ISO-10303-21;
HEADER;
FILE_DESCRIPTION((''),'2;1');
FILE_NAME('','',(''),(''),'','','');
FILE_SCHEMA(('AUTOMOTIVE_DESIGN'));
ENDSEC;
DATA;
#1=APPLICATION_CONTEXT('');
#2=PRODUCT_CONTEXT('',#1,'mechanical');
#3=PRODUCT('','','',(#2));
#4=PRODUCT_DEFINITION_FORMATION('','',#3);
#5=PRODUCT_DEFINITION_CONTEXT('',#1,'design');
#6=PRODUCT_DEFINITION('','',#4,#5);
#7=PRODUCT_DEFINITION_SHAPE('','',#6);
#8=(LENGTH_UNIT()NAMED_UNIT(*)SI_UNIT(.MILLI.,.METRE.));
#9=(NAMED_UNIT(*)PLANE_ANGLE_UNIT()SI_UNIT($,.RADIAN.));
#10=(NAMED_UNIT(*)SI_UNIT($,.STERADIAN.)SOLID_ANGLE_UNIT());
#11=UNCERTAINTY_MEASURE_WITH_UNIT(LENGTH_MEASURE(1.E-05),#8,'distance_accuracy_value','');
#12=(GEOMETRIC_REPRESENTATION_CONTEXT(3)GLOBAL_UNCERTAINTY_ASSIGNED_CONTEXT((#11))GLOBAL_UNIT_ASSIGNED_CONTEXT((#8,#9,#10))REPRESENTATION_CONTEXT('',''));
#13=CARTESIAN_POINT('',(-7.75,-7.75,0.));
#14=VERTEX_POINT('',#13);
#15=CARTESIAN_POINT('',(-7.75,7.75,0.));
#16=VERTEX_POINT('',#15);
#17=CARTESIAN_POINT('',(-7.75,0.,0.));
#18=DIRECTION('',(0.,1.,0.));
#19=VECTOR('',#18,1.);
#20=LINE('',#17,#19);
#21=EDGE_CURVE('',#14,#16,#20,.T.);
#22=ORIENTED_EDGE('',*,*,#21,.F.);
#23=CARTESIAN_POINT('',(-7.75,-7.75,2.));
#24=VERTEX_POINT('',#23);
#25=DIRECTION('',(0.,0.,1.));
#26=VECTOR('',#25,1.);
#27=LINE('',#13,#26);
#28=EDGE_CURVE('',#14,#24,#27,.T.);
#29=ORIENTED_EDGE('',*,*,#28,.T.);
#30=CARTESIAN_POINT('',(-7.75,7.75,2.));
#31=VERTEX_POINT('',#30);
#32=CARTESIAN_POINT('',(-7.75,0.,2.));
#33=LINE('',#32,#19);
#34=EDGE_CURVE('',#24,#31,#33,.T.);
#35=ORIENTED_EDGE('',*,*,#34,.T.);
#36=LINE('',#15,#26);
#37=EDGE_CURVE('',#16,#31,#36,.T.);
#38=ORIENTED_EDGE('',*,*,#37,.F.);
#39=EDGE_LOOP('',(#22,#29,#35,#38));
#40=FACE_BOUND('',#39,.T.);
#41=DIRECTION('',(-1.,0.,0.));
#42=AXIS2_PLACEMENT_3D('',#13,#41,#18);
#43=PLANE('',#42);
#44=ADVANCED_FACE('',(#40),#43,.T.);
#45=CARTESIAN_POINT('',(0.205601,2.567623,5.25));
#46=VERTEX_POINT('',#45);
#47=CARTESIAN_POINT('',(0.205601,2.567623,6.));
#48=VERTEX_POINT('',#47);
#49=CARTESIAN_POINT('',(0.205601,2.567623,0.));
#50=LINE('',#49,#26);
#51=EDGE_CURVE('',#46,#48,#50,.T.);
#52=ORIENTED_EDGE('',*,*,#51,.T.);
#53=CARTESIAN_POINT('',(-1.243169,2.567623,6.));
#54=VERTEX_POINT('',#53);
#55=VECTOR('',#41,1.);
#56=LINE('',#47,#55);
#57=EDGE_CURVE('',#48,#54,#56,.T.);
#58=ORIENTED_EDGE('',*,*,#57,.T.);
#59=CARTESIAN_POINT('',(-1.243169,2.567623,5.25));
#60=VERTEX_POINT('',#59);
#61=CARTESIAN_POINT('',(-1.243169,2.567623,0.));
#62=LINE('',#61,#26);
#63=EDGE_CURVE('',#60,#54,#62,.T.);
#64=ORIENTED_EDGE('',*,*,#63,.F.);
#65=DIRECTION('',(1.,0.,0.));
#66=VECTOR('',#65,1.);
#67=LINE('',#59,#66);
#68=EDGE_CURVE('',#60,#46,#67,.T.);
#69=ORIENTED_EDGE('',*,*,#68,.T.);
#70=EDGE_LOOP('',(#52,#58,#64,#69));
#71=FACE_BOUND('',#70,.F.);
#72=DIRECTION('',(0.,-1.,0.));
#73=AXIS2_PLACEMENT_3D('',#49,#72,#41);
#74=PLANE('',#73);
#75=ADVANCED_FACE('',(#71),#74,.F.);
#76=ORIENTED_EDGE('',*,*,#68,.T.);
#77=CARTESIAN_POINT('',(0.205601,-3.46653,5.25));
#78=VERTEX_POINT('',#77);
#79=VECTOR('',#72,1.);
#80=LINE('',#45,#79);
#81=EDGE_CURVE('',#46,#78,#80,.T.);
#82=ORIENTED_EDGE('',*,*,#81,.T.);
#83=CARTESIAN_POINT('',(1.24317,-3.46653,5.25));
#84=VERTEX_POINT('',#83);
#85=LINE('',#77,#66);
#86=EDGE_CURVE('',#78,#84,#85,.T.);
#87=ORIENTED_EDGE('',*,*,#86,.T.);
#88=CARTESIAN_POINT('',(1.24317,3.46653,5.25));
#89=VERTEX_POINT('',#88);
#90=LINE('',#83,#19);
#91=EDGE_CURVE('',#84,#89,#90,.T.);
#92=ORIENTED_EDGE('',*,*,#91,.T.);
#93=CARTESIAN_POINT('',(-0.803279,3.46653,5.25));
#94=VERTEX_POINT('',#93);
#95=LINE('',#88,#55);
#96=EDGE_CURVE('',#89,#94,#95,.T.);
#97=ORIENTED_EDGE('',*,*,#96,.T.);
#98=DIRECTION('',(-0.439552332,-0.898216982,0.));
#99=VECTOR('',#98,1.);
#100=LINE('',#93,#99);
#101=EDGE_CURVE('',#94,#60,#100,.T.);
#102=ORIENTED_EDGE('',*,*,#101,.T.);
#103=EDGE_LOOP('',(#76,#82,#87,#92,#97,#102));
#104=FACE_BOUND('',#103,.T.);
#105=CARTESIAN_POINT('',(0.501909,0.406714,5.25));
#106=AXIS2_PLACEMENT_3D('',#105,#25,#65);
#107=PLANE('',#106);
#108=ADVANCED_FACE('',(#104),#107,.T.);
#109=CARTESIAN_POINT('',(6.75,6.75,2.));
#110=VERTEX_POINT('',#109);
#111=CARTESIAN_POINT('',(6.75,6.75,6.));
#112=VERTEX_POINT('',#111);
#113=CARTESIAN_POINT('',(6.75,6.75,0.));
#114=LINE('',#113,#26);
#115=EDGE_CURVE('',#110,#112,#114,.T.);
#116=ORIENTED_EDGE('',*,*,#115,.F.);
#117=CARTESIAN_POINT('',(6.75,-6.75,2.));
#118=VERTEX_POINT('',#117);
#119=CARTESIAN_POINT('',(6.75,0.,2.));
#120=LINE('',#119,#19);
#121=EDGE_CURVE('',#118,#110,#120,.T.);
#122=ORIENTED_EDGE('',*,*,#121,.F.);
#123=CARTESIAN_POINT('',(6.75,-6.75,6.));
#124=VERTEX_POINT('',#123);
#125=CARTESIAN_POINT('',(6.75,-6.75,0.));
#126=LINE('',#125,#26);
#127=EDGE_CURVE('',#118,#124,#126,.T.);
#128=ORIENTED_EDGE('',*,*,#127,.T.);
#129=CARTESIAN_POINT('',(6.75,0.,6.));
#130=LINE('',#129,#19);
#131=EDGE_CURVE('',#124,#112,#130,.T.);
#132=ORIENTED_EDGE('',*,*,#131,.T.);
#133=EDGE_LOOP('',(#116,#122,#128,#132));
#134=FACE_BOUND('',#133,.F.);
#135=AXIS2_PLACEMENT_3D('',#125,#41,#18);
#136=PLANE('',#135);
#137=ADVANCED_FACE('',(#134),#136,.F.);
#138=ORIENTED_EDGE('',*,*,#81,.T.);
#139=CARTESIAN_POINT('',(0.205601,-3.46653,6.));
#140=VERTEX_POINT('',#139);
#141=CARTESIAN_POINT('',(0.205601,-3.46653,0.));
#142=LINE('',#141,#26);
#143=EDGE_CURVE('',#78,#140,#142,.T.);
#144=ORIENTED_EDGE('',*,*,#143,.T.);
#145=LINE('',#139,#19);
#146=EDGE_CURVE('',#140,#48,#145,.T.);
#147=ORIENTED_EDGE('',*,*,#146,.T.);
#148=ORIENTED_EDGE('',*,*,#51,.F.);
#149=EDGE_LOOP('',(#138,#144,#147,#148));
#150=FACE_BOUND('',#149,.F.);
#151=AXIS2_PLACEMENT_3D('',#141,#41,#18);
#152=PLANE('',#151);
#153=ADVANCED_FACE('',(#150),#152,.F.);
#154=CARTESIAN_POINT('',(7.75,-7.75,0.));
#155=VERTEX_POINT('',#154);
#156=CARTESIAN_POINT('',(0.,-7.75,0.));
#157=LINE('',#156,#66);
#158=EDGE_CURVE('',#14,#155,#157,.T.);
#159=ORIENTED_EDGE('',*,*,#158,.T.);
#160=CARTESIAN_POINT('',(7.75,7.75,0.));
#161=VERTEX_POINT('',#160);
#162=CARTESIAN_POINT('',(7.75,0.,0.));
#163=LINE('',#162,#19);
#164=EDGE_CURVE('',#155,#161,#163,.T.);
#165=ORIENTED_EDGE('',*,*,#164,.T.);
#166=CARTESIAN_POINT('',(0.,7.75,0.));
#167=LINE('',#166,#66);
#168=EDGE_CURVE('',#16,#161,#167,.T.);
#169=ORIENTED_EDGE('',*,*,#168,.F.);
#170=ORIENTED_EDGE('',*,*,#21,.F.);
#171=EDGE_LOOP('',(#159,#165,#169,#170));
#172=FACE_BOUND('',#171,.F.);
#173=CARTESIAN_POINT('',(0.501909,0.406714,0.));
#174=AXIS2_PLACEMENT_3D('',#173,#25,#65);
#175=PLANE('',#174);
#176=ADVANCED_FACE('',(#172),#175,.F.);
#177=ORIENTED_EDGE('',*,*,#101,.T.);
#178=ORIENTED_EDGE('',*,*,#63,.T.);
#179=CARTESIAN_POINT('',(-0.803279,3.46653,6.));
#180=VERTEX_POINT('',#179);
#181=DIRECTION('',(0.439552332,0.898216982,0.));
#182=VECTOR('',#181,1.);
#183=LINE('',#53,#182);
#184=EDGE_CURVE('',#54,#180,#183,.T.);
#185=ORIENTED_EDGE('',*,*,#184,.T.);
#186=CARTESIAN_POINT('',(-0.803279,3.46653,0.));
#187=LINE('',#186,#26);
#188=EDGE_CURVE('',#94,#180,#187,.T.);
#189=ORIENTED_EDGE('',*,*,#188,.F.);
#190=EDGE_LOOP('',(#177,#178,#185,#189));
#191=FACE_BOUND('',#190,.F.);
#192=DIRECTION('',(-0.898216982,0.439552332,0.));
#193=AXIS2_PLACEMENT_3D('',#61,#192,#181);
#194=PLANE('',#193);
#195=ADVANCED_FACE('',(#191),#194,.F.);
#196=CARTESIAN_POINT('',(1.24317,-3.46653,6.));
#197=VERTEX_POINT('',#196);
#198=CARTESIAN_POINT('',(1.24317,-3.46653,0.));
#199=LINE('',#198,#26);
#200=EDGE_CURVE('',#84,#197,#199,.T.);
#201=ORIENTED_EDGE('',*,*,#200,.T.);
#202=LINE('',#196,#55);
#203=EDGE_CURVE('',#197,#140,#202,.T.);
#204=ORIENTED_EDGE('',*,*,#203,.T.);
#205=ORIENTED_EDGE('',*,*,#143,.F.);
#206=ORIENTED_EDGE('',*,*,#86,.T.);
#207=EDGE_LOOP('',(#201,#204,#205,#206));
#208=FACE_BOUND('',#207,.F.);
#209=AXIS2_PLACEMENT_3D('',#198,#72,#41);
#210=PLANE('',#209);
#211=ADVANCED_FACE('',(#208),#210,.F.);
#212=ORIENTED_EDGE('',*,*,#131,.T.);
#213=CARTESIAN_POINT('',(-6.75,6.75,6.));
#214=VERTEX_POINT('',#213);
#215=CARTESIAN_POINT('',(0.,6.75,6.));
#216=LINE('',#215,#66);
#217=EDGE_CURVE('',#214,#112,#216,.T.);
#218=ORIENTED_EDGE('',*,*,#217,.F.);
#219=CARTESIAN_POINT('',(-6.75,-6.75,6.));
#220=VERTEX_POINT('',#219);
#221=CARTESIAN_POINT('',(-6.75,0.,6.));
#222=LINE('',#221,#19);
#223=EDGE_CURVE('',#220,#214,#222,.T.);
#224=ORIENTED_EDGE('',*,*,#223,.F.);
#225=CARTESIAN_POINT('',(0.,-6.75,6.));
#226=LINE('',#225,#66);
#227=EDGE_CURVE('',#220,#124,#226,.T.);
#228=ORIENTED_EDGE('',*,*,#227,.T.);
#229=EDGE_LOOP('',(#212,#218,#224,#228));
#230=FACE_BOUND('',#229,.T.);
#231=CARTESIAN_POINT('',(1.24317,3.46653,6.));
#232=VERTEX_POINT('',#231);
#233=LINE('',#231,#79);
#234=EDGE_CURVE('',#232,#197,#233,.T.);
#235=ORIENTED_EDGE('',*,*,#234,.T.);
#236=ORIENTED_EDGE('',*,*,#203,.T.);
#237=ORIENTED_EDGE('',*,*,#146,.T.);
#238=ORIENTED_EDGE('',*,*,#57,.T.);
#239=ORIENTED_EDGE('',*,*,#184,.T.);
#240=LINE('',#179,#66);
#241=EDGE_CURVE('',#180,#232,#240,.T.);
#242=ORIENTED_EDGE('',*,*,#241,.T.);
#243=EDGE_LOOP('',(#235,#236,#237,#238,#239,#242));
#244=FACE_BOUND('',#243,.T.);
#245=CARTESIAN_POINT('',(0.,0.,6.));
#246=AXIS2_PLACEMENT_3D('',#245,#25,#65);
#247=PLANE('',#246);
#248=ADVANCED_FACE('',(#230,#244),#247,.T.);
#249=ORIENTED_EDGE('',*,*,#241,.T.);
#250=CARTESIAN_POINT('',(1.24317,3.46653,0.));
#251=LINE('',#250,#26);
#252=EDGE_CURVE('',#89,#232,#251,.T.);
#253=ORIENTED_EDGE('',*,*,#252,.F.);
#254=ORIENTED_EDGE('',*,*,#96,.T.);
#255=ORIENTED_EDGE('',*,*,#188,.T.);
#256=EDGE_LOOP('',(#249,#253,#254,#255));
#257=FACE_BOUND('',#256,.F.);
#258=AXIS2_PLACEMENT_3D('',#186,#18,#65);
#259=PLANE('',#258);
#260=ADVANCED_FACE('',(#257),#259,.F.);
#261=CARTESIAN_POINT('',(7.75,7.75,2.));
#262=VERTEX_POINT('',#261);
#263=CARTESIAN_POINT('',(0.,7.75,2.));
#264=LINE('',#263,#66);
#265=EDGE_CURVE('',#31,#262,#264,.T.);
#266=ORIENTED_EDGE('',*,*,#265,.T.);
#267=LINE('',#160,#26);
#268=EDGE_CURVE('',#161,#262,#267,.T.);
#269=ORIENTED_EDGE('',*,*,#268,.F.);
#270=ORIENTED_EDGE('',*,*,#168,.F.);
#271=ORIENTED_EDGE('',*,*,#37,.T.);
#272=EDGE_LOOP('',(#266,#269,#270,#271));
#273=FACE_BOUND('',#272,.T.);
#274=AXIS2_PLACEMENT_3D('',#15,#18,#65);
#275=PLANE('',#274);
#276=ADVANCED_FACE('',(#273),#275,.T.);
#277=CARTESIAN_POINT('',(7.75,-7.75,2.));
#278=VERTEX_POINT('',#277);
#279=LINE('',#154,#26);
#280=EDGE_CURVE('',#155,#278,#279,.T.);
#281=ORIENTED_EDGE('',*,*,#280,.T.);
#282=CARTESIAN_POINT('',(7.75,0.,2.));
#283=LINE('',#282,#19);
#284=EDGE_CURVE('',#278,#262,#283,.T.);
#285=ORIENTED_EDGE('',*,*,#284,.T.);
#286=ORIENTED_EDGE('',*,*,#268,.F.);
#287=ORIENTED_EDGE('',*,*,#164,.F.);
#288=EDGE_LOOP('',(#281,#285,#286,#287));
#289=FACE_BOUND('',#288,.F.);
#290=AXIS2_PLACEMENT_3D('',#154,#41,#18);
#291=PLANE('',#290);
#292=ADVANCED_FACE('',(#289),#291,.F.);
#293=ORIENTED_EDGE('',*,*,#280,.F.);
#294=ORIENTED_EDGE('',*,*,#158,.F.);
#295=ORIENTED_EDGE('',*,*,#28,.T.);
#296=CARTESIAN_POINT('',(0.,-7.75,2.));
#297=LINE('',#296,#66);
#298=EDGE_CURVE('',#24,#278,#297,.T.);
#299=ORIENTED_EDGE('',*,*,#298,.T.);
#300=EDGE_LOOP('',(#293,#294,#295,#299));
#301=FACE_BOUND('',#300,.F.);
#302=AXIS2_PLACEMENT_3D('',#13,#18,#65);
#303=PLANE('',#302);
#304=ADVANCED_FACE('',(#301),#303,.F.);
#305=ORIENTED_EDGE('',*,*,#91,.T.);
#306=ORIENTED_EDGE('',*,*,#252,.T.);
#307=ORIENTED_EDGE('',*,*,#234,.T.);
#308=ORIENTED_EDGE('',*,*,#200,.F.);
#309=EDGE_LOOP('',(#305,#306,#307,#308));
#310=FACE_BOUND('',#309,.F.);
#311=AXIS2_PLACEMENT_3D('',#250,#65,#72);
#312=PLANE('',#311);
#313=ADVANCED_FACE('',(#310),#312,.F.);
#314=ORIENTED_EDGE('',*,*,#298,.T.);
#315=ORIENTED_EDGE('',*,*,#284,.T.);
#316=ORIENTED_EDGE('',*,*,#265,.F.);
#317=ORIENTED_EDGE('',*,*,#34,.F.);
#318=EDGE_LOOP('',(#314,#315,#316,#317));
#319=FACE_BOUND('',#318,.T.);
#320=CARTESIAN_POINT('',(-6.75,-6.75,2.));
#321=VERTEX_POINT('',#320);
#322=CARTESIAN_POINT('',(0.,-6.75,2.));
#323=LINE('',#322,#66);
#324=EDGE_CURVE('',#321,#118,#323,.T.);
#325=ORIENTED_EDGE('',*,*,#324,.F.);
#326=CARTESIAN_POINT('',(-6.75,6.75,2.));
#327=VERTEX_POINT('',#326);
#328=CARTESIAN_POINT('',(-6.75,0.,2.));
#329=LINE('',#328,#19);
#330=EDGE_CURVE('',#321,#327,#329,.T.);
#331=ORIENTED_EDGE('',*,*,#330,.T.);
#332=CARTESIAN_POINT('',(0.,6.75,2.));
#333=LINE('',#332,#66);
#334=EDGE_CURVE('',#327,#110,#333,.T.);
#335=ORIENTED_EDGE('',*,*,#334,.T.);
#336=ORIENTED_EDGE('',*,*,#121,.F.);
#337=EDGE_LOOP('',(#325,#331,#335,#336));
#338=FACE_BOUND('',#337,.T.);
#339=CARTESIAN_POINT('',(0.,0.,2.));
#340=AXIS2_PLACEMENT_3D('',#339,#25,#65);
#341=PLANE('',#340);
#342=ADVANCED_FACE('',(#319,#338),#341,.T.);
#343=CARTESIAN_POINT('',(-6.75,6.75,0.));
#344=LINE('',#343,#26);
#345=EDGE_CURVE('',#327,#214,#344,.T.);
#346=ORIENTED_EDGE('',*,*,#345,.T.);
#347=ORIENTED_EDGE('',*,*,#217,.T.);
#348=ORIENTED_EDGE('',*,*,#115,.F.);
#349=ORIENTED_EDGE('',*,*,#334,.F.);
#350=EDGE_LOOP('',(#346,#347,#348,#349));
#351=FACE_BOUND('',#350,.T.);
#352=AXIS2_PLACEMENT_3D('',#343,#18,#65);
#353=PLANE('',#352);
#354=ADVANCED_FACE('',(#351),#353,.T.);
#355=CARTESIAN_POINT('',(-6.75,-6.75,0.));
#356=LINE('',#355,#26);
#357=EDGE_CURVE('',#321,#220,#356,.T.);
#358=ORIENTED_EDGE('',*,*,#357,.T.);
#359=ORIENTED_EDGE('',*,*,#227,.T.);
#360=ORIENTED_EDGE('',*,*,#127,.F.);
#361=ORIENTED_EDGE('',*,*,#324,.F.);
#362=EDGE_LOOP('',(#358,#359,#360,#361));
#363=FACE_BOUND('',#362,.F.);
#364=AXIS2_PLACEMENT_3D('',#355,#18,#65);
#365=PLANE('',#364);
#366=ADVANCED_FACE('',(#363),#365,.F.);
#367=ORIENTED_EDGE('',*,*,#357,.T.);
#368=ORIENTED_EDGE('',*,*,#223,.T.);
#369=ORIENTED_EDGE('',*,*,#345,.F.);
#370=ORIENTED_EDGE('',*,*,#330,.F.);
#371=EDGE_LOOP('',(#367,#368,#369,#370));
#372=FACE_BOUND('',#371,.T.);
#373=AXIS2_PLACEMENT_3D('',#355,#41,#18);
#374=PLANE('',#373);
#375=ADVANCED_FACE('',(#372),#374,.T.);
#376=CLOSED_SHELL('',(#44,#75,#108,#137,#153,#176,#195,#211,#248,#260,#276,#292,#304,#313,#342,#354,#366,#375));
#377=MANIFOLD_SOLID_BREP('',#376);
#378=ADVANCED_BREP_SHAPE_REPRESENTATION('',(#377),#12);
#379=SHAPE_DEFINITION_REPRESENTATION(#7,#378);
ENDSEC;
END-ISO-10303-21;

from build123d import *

# Parameters (mm, degrees)
F0_W     = 15.5
F0_H     = 15.5
F0_W_2   = 13.5
F0_H_2   = 13.5
F1_DEPTH = 2
F2_DEPTH = 6
F3_DEPTH = 5.25


with BuildPart() as f1:
    # F0 (on Top) → F1 (new body)
    with BuildSketch(Plane.XY):
        Rectangle(F0_W, F0_H)
        Rectangle(F0_W_2, F0_H_2, mode=Mode.SUBTRACT)
    extrude(amount=F1_DEPTH)

    # F0 (on Top) → F2 (join)
    with BuildSketch(Plane.XY):
        Rectangle(F0_W_2, F0_H_2)
        Polygon((1.24317, -3.46653), (0.205601, -3.46653), (0.205601, 2.567623), (-1.243169, 2.567623), (-0.803279, 3.46653), (1.24317, 3.46653), align=None, mode=Mode.SUBTRACT)
    extrude(amount=F2_DEPTH)

    # F0 (on Top) → F3 (join)
    with BuildSketch(Plane.XY):
        Polygon((0.205601, 2.567623), (0.205601, -3.46653), (1.24317, -3.46653), (1.24317, 3.46653), (-0.803279, 3.46653), (-1.243169, 2.567623), align=None)
    extrude(amount=F3_DEPTH)


solid = f1.part
